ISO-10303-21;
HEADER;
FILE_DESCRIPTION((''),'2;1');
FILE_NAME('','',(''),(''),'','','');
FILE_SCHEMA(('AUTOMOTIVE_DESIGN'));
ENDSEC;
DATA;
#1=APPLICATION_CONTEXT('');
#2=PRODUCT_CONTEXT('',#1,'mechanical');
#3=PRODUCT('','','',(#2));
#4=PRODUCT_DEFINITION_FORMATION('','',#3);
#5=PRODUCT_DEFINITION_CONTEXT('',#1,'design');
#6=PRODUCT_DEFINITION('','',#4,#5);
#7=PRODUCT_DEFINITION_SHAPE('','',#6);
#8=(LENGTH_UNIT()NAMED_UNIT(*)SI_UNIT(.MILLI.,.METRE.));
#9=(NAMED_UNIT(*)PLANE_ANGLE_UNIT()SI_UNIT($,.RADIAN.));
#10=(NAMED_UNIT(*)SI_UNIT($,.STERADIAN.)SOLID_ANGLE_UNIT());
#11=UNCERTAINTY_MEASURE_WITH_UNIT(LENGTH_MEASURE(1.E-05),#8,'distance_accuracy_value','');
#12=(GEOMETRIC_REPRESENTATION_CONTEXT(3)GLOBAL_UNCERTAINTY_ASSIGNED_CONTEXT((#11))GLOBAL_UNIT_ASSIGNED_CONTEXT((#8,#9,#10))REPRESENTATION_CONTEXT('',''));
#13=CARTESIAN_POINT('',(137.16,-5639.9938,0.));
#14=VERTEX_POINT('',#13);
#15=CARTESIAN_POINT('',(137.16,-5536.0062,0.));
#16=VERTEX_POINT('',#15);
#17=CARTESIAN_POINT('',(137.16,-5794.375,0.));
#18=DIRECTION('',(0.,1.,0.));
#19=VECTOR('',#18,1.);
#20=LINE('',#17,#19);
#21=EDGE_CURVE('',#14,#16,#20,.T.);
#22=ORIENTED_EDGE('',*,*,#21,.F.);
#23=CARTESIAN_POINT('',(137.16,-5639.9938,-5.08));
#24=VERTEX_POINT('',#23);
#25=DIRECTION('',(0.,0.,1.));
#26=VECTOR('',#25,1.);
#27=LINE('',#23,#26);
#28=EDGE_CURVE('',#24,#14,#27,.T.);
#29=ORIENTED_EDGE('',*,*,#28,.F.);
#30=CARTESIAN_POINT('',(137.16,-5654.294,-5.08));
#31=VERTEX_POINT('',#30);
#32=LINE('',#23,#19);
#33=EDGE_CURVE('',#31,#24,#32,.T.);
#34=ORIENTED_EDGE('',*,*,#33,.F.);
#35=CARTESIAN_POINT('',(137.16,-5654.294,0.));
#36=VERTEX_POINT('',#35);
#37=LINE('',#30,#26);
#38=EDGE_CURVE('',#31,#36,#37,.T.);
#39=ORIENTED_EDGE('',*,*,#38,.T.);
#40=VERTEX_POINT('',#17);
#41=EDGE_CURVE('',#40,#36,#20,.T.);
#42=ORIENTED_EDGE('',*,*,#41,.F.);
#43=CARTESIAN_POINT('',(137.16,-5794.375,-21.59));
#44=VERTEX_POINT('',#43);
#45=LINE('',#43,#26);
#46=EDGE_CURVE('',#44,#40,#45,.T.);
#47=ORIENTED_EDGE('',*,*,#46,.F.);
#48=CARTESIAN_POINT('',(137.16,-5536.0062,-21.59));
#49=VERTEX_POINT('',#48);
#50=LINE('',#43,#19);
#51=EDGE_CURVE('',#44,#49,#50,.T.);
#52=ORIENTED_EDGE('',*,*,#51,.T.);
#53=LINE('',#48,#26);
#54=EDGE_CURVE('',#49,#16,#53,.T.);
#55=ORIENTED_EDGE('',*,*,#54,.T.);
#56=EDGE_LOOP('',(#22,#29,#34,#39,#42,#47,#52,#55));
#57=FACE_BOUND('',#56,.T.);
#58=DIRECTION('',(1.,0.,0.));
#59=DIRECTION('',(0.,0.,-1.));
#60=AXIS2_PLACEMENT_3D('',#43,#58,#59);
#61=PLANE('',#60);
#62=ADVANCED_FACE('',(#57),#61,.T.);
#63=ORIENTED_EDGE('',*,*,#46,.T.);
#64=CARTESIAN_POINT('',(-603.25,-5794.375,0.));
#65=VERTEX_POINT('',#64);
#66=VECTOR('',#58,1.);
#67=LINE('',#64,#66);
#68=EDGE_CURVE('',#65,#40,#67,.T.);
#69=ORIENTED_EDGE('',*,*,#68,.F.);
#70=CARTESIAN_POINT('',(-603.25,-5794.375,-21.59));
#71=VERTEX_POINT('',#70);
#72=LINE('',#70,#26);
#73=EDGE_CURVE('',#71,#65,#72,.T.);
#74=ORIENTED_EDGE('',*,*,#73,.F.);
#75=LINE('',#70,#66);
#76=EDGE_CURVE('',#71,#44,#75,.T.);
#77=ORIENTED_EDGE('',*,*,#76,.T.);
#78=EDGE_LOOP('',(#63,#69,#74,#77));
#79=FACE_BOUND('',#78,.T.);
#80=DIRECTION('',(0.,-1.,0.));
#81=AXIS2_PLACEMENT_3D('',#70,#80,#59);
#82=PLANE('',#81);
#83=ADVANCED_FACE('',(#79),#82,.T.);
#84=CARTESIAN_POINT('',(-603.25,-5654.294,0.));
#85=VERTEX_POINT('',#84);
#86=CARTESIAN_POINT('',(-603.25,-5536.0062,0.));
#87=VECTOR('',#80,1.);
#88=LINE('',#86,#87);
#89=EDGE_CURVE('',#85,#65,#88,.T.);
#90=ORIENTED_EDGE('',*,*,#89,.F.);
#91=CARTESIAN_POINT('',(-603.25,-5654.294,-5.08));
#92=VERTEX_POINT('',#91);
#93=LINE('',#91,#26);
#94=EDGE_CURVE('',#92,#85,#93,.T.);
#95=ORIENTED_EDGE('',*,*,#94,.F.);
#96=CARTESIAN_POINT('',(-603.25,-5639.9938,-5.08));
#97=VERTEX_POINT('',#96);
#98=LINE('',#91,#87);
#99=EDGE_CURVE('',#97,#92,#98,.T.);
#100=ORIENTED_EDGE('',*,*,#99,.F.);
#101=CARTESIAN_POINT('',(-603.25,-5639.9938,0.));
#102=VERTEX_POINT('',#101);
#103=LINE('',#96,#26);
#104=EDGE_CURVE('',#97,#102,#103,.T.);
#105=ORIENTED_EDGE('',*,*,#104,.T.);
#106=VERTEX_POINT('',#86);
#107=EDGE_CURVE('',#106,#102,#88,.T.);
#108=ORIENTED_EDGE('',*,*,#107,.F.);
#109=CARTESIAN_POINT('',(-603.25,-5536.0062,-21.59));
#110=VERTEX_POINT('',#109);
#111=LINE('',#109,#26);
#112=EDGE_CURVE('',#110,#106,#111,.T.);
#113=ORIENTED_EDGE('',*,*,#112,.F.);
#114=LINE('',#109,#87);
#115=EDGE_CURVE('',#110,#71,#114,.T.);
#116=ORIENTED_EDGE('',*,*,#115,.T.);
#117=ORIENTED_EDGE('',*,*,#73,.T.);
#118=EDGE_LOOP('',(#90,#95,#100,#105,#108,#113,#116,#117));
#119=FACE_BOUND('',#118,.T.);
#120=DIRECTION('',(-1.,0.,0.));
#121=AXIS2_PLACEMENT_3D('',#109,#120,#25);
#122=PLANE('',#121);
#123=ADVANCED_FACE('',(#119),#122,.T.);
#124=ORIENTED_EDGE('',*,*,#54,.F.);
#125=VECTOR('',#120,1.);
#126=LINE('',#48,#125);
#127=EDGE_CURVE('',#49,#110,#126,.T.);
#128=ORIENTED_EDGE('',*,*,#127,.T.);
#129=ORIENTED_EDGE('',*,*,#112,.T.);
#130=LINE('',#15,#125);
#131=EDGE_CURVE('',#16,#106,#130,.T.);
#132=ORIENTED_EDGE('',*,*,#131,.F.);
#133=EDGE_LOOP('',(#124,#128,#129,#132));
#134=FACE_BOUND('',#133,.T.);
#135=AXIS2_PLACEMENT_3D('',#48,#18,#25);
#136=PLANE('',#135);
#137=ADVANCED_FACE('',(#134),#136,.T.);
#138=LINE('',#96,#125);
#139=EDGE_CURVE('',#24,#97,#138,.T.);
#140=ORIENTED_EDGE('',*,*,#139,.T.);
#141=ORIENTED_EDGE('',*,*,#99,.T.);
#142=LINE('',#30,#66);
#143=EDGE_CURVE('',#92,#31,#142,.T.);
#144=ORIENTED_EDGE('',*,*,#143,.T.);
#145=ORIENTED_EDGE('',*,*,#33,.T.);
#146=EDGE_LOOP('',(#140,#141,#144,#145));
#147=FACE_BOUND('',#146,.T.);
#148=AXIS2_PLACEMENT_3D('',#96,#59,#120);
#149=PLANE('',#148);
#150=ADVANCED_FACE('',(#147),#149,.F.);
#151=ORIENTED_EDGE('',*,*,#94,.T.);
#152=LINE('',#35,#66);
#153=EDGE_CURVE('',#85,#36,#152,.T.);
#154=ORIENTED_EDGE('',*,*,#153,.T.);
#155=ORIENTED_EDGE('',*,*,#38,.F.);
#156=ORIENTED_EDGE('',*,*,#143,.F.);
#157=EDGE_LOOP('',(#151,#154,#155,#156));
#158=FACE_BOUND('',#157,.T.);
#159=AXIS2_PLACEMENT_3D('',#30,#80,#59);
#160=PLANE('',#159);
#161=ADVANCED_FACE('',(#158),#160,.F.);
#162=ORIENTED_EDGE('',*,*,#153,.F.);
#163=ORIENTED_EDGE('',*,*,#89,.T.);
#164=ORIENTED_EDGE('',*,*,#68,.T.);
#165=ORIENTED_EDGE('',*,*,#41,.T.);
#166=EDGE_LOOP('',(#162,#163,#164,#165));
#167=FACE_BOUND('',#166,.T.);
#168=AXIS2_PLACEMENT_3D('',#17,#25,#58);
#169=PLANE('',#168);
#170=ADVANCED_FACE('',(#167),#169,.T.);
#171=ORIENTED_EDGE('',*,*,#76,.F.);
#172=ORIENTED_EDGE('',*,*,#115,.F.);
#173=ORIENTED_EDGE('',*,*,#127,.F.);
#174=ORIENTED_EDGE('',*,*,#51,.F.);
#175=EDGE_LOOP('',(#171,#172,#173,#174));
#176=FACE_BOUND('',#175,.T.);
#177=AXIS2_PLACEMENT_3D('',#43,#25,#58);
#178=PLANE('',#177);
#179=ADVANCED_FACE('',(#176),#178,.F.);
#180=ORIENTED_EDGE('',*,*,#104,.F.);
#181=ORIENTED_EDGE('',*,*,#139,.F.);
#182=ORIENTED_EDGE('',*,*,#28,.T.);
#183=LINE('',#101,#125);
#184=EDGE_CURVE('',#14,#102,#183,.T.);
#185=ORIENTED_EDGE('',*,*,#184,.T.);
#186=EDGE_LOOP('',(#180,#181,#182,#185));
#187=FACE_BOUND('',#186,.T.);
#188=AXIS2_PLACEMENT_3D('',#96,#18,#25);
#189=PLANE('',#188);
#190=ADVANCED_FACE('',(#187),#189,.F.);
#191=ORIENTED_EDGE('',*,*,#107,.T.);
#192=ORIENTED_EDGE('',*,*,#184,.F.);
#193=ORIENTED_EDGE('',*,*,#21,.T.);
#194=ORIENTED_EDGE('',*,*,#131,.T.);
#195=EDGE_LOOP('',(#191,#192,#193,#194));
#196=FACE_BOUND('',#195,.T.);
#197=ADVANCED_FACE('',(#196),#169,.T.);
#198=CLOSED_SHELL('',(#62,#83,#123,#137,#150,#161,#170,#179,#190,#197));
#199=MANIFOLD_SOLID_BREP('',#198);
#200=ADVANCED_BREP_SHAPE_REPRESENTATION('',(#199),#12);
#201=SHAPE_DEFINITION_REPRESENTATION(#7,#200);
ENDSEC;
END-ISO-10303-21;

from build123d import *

# Parameters (mm, degrees)
SKETCH2_W          = 740.41
SKETCH2_H          = 258.3688
EXTRUDE1_DEPTH     = 21.59
SKETCH3_W          = 740.41
SKETCH3_H          = 14.3002
CUT_EXTRUDE1_DEPTH = 5.08


with BuildPart() as part:
    # Sketch2 → Extrude1 (new body)
    with BuildSketch(Plane.XY):
        with Locations((-233.045, -5665.1906)):
            Rectangle(SKETCH2_W, SKETCH2_H)
    extrude(amount=-EXTRUDE1_DEPTH)

    # Sketch3 → Cut-Extrude1 (cut)
    with BuildSketch(Plane.XY):
        with Locations((-233.045, -5647.1439)):
            Rectangle(SKETCH3_W, SKETCH3_H)
    extrude(amount=-CUT_EXTRUDE1_DEPTH, mode=Mode.SUBTRACT)


solid = part.part
